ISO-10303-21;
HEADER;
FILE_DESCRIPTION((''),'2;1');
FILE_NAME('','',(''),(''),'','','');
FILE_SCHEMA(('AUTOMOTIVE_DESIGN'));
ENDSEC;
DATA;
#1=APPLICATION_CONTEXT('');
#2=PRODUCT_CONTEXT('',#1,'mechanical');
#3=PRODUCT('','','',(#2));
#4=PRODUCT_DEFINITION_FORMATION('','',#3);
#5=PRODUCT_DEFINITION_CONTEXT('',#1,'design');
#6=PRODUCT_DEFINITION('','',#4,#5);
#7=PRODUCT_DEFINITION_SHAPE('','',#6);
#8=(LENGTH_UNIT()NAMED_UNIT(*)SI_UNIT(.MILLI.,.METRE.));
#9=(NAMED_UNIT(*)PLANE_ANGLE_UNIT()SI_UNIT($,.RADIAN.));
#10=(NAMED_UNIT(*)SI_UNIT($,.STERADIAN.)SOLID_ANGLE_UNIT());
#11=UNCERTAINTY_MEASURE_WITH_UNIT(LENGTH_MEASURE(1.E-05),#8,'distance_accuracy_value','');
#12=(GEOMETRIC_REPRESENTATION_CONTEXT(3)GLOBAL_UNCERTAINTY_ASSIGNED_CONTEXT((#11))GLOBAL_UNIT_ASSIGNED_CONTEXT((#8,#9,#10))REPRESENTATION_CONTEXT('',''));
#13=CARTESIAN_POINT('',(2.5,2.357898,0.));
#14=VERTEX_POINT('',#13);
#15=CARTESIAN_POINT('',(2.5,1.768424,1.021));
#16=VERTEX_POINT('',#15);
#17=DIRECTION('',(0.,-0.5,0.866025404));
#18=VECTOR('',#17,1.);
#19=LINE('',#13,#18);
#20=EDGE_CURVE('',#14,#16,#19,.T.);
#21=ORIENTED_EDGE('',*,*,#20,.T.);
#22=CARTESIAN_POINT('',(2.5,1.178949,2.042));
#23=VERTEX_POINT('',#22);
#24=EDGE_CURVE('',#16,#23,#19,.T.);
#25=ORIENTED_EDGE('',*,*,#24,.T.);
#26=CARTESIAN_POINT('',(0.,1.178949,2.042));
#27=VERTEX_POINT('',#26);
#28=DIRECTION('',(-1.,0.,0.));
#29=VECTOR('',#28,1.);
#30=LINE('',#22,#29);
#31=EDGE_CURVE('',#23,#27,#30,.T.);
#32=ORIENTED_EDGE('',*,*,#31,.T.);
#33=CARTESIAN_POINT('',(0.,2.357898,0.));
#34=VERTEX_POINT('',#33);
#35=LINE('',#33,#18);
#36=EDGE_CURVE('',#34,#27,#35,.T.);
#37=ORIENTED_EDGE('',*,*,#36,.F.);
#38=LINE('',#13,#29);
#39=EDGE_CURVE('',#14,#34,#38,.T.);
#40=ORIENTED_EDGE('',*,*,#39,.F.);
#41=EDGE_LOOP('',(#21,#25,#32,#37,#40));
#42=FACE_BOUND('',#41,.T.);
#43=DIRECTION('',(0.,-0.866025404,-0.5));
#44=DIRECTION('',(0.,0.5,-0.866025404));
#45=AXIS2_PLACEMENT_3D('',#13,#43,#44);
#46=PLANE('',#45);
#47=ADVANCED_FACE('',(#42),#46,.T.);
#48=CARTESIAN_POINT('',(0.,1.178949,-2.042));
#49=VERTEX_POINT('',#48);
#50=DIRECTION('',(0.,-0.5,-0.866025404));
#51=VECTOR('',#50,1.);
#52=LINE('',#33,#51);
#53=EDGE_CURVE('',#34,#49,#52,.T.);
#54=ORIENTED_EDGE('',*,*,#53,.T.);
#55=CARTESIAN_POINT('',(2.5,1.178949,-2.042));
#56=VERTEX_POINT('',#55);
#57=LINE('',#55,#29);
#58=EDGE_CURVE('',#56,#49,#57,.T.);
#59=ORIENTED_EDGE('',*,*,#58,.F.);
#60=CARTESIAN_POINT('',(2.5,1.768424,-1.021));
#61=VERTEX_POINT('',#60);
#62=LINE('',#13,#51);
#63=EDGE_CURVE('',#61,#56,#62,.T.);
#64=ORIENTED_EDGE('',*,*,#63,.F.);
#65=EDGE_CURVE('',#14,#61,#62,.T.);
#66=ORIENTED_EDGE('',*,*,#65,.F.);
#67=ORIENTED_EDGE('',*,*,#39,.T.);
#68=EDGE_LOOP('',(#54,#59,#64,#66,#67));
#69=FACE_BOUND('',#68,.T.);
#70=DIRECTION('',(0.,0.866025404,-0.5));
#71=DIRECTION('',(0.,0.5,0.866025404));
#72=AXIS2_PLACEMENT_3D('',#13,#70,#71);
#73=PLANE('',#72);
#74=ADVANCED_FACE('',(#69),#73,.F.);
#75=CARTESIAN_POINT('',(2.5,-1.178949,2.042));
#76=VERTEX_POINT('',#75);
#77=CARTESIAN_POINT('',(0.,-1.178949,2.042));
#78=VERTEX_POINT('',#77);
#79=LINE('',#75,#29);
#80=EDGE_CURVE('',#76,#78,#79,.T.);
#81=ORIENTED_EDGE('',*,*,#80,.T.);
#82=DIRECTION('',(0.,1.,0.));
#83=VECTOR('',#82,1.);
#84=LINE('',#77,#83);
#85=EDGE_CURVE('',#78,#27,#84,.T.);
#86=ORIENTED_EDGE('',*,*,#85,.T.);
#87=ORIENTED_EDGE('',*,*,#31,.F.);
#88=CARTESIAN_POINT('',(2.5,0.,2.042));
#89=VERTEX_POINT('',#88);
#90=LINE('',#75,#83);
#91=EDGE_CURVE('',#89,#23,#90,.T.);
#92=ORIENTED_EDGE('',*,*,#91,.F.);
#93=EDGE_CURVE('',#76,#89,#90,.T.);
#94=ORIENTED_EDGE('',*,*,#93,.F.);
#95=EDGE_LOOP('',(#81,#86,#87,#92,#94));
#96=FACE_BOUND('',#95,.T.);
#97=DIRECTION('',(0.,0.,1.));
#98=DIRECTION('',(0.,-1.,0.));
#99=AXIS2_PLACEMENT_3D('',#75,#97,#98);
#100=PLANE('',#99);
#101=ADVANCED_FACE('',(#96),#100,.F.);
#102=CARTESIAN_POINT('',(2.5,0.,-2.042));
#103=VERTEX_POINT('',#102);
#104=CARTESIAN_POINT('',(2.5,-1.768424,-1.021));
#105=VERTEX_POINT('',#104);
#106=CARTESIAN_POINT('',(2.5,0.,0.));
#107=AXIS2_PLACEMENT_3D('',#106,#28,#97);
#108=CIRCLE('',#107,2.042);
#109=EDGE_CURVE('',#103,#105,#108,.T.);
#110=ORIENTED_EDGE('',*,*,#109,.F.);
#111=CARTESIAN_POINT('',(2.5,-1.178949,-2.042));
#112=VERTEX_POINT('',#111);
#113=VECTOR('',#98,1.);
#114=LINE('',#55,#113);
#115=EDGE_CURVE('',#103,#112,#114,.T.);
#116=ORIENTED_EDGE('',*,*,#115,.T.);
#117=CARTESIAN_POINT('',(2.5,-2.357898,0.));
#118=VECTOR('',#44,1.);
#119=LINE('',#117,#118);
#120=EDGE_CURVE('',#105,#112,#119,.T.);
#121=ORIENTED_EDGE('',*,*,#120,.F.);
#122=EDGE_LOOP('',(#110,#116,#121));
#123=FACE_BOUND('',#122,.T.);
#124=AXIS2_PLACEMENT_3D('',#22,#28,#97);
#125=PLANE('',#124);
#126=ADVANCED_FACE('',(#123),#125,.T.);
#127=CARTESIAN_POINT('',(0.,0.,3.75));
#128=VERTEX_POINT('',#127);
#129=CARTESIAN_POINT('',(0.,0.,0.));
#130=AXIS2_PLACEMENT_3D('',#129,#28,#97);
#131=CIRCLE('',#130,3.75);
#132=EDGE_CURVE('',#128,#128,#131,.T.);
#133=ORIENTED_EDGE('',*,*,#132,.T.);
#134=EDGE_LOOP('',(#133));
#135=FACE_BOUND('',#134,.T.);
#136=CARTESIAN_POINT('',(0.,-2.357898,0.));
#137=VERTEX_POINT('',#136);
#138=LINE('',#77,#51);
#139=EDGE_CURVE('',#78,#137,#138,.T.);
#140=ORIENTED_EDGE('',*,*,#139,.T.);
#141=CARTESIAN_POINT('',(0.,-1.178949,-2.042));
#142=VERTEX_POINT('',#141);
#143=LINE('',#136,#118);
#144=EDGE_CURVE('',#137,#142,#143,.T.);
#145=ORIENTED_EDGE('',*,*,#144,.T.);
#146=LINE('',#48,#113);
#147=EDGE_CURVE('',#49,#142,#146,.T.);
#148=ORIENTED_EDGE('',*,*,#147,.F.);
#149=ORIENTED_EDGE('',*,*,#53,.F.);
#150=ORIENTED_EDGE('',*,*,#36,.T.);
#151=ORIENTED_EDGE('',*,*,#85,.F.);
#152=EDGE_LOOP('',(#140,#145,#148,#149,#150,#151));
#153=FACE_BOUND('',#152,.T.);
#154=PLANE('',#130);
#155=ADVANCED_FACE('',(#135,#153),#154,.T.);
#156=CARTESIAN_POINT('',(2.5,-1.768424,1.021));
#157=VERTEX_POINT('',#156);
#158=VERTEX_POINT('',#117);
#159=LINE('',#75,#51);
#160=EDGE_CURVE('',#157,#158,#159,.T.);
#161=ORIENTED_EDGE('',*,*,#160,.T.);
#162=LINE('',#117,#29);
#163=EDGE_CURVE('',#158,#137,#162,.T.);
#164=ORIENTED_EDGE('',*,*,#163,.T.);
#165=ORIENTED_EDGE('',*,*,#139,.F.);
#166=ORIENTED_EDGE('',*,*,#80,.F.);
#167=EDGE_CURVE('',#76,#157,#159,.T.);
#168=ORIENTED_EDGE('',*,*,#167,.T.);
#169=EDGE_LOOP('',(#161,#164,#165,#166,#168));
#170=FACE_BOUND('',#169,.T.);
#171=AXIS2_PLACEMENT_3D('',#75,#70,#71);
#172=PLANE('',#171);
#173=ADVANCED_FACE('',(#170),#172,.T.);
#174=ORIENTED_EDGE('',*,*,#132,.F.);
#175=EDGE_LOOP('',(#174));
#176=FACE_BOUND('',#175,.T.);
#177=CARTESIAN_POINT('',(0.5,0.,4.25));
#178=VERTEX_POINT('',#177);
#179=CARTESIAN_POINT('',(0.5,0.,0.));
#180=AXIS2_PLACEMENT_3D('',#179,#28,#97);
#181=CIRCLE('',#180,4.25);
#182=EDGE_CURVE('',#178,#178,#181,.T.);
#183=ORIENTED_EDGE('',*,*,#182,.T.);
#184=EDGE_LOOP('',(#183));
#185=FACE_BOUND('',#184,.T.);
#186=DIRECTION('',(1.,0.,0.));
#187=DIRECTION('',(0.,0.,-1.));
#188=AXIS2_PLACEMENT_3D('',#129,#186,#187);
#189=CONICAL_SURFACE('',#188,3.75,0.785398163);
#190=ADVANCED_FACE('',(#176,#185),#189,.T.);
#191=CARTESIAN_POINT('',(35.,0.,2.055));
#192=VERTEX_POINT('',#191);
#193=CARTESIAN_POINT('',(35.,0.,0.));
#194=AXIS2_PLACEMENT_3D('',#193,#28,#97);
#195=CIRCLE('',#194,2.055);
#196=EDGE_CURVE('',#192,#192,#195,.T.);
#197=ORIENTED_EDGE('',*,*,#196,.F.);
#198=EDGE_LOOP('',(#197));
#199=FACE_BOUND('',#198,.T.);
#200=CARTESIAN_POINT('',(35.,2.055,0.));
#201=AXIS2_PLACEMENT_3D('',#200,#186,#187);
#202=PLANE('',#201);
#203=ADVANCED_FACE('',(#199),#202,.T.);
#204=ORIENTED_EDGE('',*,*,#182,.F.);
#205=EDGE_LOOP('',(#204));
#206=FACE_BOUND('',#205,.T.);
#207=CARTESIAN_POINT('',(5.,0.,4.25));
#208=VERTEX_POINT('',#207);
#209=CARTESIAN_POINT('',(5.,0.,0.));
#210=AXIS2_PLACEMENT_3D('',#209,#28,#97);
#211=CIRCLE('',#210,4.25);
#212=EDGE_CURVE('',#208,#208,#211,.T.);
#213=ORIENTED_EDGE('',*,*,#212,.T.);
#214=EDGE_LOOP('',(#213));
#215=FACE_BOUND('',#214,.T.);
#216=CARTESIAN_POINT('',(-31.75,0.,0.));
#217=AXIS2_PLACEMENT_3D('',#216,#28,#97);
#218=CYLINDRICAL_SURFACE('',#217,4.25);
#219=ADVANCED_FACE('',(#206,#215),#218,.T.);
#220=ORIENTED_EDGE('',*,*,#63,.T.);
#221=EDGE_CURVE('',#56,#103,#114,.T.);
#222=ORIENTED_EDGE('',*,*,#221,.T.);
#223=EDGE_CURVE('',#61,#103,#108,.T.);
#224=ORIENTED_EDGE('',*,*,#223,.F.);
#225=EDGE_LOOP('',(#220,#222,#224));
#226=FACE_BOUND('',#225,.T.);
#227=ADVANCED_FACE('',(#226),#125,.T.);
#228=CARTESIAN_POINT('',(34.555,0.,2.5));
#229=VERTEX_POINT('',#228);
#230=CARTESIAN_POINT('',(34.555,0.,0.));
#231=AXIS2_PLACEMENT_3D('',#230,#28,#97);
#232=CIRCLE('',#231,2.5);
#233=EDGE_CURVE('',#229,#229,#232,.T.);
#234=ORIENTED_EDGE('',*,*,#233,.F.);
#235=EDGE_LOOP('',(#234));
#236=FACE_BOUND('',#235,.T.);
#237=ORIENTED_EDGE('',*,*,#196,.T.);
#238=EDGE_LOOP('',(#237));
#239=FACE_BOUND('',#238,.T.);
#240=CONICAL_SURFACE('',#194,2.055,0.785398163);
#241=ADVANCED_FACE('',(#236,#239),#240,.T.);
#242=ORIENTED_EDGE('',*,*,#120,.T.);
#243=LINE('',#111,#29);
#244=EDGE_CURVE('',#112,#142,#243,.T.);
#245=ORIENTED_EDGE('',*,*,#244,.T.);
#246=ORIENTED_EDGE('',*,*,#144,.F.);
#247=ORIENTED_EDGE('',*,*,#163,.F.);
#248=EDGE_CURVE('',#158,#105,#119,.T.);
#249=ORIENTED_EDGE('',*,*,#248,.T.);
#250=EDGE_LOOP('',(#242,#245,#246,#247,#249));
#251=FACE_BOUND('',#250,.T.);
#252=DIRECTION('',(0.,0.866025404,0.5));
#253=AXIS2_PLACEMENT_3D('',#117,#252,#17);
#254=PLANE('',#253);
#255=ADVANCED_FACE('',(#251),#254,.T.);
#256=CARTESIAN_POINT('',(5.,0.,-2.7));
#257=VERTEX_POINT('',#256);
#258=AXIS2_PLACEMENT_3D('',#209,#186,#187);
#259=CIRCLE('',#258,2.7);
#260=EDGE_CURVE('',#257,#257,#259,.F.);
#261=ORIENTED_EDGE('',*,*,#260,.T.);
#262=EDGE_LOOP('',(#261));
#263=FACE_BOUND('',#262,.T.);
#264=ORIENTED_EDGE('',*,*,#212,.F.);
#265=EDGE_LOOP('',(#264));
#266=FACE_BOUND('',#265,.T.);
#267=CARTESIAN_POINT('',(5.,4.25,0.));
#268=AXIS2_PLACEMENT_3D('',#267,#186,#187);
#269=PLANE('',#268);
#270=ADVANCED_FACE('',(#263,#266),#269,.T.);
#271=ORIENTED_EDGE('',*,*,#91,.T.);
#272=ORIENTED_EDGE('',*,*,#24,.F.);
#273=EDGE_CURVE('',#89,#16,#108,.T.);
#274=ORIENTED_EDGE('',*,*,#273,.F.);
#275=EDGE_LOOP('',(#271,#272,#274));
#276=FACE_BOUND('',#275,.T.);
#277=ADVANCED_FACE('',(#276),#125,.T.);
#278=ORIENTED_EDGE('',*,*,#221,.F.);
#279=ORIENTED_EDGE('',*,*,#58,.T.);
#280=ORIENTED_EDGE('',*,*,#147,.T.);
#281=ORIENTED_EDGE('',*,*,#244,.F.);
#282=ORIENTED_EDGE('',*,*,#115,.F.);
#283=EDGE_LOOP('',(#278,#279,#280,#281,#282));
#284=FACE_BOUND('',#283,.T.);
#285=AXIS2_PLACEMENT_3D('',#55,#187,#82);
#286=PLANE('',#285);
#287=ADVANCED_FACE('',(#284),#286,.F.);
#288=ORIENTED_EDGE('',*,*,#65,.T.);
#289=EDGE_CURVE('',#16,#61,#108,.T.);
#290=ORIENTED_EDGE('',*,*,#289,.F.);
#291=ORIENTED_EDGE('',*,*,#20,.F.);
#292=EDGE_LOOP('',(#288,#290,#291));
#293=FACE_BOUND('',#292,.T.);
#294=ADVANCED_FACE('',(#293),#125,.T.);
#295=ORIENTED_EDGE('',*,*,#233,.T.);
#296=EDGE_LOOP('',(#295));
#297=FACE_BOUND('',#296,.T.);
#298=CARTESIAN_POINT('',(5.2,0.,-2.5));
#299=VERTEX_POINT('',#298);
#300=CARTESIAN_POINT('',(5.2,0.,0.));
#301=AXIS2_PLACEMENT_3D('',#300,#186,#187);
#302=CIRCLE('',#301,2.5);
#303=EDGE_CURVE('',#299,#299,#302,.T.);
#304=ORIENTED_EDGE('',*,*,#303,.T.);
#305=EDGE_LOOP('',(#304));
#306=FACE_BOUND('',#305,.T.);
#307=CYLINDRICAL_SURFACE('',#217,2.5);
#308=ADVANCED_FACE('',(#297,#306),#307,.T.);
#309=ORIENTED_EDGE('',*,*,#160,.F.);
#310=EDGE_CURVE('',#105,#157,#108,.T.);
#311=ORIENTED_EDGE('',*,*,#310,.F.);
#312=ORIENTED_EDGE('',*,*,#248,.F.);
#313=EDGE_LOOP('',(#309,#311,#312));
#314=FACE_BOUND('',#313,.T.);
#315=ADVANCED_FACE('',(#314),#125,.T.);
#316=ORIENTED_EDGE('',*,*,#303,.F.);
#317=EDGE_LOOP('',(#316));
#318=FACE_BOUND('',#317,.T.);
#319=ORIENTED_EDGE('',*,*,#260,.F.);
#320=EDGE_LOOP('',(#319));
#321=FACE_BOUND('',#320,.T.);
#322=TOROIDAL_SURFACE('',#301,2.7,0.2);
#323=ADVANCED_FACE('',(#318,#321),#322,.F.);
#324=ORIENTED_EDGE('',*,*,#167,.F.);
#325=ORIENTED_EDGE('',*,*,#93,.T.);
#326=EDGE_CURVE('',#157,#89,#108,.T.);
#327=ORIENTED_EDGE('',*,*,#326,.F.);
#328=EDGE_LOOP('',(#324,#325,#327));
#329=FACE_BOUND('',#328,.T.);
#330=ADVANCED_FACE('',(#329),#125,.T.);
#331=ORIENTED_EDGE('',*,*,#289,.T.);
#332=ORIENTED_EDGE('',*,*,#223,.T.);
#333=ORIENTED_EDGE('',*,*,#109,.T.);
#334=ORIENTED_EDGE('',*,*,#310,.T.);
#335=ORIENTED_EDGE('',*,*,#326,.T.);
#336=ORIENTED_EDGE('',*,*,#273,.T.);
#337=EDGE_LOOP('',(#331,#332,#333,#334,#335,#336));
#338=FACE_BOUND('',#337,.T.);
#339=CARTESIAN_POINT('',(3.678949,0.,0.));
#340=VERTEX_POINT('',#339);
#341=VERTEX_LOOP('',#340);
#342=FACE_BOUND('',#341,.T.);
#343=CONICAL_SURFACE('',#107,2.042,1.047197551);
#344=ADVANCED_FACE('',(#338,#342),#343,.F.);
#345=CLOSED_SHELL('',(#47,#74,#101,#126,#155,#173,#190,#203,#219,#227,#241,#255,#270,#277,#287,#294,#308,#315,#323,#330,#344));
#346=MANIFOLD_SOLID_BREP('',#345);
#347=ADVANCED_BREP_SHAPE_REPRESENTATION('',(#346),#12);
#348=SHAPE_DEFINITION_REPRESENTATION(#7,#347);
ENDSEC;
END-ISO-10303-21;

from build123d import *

# Parameters (mm, degrees)
FILLET1_R   = 0.2
HEX_2_DEPTH = 2.5


with BuildPart() as part:
    # BodySke → Base-Revolve (revolve)
    with BuildSketch(Plane.XY, mode=Mode.PRIVATE) as base_revolve_sk:
        Polygon((0, 0), (0, 3.75), (0.5, 4.25), (5, 4.25), (5, 2.5), (34.555, 2.5), (35, 2.055), (35, 0), align=None)
    revolve(base_revolve_sk.sketch.rotate(Axis((-31.75, 0, 0), (1, 0, 0)), 90), axis=Axis((-31.75, 0, 0), (1, 0, 0)))

    # Fillet1
    fillet1_edges = [part.edges().sort_by_distance(p)[0] for p in [
        (5, 0, -2.5),
    ]]
    fillet(fillet1_edges, radius=FILLET1_R)

    # Sketch2 → Hex-PreBroach (revolve, cut)
    with BuildSketch(Plane.XY, mode=Mode.PRIVATE) as hex_prebroach_sk:
        Polygon((0, 2.042), (2.5, 2.042), (3.67894925, 0), (0, 0), align=None)
    revolve(hex_prebroach_sk.sketch.rotate(Axis((0, 0, 0), (1, 0, 0)), 90), axis=Axis((0, 0, 0), (1, 0, 0)), mode=Mode.SUBTRACT)

    # Sketch3 → Hex 2 (cut)
    with BuildSketch(Plane(origin=(0, 0, 0), x_dir=(0, 0.500000000000001, 0.866025403784438), z_dir=(-1, 0, 0))):
        Polygon((1.17894925, 2.042), (-1.17894925, 2.042), (-2.357898499, 0), (-1.17894925, -2.042), (1.17894925, -2.042), (2.357898499, 0), align=None)
    extrude(amount=-HEX_2_DEPTH, mode=Mode.SUBTRACT)


solid = part.part
